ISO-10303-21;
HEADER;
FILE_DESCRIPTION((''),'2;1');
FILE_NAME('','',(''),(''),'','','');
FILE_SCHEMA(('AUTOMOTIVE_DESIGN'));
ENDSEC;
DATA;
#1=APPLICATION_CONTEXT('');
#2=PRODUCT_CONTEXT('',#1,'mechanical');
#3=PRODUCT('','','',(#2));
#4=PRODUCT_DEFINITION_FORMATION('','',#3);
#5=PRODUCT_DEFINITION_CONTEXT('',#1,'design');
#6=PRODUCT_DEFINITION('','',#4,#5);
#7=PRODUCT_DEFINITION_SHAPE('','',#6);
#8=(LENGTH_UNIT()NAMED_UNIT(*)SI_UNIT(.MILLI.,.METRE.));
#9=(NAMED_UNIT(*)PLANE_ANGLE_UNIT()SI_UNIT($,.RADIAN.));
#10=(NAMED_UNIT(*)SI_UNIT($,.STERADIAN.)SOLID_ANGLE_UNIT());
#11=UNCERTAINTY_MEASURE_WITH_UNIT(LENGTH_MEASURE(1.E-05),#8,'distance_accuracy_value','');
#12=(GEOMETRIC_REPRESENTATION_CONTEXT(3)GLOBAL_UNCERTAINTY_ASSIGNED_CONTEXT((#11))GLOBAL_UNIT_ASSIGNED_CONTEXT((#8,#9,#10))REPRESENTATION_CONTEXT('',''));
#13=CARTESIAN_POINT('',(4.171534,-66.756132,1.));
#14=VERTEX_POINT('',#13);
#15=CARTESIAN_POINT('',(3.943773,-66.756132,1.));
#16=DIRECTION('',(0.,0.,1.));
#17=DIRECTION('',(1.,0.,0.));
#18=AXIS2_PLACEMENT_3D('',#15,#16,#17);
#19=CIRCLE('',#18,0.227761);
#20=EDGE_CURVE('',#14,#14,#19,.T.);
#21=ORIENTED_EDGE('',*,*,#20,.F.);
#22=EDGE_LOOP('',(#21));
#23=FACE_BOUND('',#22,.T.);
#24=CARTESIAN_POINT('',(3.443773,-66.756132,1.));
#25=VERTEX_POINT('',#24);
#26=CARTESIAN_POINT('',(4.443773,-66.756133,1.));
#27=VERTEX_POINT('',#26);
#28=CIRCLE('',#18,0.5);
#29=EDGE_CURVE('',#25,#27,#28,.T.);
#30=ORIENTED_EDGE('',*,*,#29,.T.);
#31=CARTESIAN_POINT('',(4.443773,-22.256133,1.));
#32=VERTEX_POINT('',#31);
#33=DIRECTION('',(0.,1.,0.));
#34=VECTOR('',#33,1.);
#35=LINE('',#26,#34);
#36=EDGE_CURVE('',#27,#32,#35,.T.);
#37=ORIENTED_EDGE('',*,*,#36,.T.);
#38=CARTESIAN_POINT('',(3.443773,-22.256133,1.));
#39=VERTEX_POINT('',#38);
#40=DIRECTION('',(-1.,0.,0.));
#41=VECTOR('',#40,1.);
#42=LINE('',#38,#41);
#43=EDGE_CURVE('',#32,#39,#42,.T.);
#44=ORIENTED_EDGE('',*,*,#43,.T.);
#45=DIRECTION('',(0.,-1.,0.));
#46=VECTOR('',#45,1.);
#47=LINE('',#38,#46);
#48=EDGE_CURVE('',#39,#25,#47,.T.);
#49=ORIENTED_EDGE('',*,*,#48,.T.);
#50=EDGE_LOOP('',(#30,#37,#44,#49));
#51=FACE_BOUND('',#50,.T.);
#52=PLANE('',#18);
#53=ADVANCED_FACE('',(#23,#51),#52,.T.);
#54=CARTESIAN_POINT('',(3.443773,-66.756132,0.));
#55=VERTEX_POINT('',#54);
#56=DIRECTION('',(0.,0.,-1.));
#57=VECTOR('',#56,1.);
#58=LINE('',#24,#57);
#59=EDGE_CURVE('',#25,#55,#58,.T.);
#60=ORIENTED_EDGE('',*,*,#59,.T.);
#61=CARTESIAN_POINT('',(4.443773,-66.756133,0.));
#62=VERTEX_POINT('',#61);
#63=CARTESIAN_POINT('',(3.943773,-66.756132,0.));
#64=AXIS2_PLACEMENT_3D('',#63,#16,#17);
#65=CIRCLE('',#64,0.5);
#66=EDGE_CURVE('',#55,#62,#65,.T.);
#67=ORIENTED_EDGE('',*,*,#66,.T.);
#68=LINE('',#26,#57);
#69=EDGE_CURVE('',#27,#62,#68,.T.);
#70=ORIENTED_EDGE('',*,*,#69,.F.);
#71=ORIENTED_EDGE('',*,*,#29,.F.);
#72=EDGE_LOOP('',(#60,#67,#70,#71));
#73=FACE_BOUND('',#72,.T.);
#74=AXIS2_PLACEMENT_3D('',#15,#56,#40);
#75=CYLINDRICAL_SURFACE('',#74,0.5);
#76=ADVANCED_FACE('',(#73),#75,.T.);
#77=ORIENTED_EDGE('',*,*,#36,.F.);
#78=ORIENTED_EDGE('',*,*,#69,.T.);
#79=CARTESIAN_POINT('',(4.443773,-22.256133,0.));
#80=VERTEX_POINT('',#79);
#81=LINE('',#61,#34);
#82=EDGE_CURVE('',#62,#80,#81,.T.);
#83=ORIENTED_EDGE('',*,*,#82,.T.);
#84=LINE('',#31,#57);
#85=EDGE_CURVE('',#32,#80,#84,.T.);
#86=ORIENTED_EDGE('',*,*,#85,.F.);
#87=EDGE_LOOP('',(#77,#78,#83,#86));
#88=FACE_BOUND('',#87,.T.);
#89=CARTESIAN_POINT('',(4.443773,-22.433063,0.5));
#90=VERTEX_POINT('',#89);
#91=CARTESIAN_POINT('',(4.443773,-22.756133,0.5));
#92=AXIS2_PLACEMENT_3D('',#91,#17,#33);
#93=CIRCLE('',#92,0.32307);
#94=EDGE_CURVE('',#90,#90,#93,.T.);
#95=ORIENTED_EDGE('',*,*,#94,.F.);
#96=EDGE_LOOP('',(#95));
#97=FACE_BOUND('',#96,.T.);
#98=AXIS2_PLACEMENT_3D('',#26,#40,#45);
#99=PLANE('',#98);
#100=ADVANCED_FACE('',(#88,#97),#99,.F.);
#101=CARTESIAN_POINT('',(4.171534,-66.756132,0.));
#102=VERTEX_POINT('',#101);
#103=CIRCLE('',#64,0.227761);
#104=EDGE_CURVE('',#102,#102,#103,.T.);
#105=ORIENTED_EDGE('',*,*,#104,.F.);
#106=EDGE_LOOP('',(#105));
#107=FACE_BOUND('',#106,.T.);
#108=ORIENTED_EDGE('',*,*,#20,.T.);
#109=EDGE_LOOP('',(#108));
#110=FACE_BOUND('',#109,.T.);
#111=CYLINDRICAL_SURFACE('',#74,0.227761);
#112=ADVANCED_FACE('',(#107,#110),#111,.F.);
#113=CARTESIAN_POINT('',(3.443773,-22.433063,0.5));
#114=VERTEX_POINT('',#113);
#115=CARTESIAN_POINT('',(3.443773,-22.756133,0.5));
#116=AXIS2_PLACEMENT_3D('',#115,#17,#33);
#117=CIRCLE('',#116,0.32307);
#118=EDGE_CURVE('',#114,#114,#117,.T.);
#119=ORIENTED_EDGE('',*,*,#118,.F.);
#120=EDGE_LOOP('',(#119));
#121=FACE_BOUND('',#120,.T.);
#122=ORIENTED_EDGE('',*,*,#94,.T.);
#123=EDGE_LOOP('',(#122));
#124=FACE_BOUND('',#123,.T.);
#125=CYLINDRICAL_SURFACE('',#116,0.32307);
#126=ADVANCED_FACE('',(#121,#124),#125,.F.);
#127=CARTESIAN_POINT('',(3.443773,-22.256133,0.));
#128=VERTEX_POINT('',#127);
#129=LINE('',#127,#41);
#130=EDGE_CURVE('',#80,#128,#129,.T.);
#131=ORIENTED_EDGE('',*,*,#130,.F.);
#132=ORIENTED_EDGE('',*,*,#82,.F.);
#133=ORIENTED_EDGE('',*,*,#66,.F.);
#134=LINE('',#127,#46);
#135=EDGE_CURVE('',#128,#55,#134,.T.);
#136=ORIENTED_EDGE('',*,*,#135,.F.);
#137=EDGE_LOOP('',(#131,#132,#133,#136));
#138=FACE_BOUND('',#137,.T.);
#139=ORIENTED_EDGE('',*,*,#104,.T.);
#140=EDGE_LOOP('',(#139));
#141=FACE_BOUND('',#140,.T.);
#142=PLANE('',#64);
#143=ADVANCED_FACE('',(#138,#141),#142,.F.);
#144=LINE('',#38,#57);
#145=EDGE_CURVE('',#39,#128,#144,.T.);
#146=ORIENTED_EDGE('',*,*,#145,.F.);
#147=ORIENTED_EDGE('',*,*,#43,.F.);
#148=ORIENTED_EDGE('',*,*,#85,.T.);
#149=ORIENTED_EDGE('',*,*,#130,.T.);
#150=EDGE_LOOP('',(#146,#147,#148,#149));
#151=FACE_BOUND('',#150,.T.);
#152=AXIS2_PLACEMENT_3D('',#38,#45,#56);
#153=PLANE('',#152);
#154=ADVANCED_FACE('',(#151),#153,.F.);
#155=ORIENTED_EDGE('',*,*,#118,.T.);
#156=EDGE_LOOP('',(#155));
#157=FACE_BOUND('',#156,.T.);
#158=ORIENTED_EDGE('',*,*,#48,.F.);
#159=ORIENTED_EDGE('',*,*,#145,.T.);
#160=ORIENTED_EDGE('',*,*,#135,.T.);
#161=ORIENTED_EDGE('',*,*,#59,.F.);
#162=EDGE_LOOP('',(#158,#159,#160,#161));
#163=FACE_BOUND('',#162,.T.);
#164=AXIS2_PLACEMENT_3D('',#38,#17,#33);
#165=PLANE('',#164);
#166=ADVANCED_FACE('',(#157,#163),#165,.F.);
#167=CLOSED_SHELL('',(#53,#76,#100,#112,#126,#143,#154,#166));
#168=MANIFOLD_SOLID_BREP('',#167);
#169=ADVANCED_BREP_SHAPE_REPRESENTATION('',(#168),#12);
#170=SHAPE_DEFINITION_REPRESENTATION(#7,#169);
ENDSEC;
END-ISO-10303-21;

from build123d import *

# Parameters (mm, degrees)
SKETCH1_R           = 0.227761077
BOSS_EXTRUDE1_DEPTH = 1
SKETCH2_R           = 0.323069994
CUT_EXTRUDE1_DEPTH  = 2


with BuildPart() as part:
    # Sketch1 → Boss-Extrude1 (new body)
    with BuildSketch(Plane.XY):
        with BuildLine():
            Line((3.443773372, -22.256132879), (3.443773372, -66.7561317))
            ThreePointArc((3.443773372, -66.7561317), (3.943772783, -67.256132289), (4.443773372, -66.756132879))
            Line((4.443773372, -66.756132879), (4.443773372, -22.256132879))
            Line((4.443773372, -22.256132879), (3.443773372, -22.256132879))
        make_face()
        with Locations((3.943773372, -66.756132289)):
            Circle(SKETCH1_R, mode=Mode.SUBTRACT)
    extrude(amount=BOSS_EXTRUDE1_DEPTH)

    # Sketch2 → Cut-Extrude1 (cut, through all)
    with BuildSketch(Plane(origin=(4.443773372, 0, 0), x_dir=(0, 0, -1), z_dir=(1, 0, 0))):
        with Locations((-0.5, -22.756132879)):
            Circle(SKETCH2_R)
    extrude(amount=-CUT_EXTRUDE1_DEPTH, mode=Mode.SUBTRACT)


solid = part.part
